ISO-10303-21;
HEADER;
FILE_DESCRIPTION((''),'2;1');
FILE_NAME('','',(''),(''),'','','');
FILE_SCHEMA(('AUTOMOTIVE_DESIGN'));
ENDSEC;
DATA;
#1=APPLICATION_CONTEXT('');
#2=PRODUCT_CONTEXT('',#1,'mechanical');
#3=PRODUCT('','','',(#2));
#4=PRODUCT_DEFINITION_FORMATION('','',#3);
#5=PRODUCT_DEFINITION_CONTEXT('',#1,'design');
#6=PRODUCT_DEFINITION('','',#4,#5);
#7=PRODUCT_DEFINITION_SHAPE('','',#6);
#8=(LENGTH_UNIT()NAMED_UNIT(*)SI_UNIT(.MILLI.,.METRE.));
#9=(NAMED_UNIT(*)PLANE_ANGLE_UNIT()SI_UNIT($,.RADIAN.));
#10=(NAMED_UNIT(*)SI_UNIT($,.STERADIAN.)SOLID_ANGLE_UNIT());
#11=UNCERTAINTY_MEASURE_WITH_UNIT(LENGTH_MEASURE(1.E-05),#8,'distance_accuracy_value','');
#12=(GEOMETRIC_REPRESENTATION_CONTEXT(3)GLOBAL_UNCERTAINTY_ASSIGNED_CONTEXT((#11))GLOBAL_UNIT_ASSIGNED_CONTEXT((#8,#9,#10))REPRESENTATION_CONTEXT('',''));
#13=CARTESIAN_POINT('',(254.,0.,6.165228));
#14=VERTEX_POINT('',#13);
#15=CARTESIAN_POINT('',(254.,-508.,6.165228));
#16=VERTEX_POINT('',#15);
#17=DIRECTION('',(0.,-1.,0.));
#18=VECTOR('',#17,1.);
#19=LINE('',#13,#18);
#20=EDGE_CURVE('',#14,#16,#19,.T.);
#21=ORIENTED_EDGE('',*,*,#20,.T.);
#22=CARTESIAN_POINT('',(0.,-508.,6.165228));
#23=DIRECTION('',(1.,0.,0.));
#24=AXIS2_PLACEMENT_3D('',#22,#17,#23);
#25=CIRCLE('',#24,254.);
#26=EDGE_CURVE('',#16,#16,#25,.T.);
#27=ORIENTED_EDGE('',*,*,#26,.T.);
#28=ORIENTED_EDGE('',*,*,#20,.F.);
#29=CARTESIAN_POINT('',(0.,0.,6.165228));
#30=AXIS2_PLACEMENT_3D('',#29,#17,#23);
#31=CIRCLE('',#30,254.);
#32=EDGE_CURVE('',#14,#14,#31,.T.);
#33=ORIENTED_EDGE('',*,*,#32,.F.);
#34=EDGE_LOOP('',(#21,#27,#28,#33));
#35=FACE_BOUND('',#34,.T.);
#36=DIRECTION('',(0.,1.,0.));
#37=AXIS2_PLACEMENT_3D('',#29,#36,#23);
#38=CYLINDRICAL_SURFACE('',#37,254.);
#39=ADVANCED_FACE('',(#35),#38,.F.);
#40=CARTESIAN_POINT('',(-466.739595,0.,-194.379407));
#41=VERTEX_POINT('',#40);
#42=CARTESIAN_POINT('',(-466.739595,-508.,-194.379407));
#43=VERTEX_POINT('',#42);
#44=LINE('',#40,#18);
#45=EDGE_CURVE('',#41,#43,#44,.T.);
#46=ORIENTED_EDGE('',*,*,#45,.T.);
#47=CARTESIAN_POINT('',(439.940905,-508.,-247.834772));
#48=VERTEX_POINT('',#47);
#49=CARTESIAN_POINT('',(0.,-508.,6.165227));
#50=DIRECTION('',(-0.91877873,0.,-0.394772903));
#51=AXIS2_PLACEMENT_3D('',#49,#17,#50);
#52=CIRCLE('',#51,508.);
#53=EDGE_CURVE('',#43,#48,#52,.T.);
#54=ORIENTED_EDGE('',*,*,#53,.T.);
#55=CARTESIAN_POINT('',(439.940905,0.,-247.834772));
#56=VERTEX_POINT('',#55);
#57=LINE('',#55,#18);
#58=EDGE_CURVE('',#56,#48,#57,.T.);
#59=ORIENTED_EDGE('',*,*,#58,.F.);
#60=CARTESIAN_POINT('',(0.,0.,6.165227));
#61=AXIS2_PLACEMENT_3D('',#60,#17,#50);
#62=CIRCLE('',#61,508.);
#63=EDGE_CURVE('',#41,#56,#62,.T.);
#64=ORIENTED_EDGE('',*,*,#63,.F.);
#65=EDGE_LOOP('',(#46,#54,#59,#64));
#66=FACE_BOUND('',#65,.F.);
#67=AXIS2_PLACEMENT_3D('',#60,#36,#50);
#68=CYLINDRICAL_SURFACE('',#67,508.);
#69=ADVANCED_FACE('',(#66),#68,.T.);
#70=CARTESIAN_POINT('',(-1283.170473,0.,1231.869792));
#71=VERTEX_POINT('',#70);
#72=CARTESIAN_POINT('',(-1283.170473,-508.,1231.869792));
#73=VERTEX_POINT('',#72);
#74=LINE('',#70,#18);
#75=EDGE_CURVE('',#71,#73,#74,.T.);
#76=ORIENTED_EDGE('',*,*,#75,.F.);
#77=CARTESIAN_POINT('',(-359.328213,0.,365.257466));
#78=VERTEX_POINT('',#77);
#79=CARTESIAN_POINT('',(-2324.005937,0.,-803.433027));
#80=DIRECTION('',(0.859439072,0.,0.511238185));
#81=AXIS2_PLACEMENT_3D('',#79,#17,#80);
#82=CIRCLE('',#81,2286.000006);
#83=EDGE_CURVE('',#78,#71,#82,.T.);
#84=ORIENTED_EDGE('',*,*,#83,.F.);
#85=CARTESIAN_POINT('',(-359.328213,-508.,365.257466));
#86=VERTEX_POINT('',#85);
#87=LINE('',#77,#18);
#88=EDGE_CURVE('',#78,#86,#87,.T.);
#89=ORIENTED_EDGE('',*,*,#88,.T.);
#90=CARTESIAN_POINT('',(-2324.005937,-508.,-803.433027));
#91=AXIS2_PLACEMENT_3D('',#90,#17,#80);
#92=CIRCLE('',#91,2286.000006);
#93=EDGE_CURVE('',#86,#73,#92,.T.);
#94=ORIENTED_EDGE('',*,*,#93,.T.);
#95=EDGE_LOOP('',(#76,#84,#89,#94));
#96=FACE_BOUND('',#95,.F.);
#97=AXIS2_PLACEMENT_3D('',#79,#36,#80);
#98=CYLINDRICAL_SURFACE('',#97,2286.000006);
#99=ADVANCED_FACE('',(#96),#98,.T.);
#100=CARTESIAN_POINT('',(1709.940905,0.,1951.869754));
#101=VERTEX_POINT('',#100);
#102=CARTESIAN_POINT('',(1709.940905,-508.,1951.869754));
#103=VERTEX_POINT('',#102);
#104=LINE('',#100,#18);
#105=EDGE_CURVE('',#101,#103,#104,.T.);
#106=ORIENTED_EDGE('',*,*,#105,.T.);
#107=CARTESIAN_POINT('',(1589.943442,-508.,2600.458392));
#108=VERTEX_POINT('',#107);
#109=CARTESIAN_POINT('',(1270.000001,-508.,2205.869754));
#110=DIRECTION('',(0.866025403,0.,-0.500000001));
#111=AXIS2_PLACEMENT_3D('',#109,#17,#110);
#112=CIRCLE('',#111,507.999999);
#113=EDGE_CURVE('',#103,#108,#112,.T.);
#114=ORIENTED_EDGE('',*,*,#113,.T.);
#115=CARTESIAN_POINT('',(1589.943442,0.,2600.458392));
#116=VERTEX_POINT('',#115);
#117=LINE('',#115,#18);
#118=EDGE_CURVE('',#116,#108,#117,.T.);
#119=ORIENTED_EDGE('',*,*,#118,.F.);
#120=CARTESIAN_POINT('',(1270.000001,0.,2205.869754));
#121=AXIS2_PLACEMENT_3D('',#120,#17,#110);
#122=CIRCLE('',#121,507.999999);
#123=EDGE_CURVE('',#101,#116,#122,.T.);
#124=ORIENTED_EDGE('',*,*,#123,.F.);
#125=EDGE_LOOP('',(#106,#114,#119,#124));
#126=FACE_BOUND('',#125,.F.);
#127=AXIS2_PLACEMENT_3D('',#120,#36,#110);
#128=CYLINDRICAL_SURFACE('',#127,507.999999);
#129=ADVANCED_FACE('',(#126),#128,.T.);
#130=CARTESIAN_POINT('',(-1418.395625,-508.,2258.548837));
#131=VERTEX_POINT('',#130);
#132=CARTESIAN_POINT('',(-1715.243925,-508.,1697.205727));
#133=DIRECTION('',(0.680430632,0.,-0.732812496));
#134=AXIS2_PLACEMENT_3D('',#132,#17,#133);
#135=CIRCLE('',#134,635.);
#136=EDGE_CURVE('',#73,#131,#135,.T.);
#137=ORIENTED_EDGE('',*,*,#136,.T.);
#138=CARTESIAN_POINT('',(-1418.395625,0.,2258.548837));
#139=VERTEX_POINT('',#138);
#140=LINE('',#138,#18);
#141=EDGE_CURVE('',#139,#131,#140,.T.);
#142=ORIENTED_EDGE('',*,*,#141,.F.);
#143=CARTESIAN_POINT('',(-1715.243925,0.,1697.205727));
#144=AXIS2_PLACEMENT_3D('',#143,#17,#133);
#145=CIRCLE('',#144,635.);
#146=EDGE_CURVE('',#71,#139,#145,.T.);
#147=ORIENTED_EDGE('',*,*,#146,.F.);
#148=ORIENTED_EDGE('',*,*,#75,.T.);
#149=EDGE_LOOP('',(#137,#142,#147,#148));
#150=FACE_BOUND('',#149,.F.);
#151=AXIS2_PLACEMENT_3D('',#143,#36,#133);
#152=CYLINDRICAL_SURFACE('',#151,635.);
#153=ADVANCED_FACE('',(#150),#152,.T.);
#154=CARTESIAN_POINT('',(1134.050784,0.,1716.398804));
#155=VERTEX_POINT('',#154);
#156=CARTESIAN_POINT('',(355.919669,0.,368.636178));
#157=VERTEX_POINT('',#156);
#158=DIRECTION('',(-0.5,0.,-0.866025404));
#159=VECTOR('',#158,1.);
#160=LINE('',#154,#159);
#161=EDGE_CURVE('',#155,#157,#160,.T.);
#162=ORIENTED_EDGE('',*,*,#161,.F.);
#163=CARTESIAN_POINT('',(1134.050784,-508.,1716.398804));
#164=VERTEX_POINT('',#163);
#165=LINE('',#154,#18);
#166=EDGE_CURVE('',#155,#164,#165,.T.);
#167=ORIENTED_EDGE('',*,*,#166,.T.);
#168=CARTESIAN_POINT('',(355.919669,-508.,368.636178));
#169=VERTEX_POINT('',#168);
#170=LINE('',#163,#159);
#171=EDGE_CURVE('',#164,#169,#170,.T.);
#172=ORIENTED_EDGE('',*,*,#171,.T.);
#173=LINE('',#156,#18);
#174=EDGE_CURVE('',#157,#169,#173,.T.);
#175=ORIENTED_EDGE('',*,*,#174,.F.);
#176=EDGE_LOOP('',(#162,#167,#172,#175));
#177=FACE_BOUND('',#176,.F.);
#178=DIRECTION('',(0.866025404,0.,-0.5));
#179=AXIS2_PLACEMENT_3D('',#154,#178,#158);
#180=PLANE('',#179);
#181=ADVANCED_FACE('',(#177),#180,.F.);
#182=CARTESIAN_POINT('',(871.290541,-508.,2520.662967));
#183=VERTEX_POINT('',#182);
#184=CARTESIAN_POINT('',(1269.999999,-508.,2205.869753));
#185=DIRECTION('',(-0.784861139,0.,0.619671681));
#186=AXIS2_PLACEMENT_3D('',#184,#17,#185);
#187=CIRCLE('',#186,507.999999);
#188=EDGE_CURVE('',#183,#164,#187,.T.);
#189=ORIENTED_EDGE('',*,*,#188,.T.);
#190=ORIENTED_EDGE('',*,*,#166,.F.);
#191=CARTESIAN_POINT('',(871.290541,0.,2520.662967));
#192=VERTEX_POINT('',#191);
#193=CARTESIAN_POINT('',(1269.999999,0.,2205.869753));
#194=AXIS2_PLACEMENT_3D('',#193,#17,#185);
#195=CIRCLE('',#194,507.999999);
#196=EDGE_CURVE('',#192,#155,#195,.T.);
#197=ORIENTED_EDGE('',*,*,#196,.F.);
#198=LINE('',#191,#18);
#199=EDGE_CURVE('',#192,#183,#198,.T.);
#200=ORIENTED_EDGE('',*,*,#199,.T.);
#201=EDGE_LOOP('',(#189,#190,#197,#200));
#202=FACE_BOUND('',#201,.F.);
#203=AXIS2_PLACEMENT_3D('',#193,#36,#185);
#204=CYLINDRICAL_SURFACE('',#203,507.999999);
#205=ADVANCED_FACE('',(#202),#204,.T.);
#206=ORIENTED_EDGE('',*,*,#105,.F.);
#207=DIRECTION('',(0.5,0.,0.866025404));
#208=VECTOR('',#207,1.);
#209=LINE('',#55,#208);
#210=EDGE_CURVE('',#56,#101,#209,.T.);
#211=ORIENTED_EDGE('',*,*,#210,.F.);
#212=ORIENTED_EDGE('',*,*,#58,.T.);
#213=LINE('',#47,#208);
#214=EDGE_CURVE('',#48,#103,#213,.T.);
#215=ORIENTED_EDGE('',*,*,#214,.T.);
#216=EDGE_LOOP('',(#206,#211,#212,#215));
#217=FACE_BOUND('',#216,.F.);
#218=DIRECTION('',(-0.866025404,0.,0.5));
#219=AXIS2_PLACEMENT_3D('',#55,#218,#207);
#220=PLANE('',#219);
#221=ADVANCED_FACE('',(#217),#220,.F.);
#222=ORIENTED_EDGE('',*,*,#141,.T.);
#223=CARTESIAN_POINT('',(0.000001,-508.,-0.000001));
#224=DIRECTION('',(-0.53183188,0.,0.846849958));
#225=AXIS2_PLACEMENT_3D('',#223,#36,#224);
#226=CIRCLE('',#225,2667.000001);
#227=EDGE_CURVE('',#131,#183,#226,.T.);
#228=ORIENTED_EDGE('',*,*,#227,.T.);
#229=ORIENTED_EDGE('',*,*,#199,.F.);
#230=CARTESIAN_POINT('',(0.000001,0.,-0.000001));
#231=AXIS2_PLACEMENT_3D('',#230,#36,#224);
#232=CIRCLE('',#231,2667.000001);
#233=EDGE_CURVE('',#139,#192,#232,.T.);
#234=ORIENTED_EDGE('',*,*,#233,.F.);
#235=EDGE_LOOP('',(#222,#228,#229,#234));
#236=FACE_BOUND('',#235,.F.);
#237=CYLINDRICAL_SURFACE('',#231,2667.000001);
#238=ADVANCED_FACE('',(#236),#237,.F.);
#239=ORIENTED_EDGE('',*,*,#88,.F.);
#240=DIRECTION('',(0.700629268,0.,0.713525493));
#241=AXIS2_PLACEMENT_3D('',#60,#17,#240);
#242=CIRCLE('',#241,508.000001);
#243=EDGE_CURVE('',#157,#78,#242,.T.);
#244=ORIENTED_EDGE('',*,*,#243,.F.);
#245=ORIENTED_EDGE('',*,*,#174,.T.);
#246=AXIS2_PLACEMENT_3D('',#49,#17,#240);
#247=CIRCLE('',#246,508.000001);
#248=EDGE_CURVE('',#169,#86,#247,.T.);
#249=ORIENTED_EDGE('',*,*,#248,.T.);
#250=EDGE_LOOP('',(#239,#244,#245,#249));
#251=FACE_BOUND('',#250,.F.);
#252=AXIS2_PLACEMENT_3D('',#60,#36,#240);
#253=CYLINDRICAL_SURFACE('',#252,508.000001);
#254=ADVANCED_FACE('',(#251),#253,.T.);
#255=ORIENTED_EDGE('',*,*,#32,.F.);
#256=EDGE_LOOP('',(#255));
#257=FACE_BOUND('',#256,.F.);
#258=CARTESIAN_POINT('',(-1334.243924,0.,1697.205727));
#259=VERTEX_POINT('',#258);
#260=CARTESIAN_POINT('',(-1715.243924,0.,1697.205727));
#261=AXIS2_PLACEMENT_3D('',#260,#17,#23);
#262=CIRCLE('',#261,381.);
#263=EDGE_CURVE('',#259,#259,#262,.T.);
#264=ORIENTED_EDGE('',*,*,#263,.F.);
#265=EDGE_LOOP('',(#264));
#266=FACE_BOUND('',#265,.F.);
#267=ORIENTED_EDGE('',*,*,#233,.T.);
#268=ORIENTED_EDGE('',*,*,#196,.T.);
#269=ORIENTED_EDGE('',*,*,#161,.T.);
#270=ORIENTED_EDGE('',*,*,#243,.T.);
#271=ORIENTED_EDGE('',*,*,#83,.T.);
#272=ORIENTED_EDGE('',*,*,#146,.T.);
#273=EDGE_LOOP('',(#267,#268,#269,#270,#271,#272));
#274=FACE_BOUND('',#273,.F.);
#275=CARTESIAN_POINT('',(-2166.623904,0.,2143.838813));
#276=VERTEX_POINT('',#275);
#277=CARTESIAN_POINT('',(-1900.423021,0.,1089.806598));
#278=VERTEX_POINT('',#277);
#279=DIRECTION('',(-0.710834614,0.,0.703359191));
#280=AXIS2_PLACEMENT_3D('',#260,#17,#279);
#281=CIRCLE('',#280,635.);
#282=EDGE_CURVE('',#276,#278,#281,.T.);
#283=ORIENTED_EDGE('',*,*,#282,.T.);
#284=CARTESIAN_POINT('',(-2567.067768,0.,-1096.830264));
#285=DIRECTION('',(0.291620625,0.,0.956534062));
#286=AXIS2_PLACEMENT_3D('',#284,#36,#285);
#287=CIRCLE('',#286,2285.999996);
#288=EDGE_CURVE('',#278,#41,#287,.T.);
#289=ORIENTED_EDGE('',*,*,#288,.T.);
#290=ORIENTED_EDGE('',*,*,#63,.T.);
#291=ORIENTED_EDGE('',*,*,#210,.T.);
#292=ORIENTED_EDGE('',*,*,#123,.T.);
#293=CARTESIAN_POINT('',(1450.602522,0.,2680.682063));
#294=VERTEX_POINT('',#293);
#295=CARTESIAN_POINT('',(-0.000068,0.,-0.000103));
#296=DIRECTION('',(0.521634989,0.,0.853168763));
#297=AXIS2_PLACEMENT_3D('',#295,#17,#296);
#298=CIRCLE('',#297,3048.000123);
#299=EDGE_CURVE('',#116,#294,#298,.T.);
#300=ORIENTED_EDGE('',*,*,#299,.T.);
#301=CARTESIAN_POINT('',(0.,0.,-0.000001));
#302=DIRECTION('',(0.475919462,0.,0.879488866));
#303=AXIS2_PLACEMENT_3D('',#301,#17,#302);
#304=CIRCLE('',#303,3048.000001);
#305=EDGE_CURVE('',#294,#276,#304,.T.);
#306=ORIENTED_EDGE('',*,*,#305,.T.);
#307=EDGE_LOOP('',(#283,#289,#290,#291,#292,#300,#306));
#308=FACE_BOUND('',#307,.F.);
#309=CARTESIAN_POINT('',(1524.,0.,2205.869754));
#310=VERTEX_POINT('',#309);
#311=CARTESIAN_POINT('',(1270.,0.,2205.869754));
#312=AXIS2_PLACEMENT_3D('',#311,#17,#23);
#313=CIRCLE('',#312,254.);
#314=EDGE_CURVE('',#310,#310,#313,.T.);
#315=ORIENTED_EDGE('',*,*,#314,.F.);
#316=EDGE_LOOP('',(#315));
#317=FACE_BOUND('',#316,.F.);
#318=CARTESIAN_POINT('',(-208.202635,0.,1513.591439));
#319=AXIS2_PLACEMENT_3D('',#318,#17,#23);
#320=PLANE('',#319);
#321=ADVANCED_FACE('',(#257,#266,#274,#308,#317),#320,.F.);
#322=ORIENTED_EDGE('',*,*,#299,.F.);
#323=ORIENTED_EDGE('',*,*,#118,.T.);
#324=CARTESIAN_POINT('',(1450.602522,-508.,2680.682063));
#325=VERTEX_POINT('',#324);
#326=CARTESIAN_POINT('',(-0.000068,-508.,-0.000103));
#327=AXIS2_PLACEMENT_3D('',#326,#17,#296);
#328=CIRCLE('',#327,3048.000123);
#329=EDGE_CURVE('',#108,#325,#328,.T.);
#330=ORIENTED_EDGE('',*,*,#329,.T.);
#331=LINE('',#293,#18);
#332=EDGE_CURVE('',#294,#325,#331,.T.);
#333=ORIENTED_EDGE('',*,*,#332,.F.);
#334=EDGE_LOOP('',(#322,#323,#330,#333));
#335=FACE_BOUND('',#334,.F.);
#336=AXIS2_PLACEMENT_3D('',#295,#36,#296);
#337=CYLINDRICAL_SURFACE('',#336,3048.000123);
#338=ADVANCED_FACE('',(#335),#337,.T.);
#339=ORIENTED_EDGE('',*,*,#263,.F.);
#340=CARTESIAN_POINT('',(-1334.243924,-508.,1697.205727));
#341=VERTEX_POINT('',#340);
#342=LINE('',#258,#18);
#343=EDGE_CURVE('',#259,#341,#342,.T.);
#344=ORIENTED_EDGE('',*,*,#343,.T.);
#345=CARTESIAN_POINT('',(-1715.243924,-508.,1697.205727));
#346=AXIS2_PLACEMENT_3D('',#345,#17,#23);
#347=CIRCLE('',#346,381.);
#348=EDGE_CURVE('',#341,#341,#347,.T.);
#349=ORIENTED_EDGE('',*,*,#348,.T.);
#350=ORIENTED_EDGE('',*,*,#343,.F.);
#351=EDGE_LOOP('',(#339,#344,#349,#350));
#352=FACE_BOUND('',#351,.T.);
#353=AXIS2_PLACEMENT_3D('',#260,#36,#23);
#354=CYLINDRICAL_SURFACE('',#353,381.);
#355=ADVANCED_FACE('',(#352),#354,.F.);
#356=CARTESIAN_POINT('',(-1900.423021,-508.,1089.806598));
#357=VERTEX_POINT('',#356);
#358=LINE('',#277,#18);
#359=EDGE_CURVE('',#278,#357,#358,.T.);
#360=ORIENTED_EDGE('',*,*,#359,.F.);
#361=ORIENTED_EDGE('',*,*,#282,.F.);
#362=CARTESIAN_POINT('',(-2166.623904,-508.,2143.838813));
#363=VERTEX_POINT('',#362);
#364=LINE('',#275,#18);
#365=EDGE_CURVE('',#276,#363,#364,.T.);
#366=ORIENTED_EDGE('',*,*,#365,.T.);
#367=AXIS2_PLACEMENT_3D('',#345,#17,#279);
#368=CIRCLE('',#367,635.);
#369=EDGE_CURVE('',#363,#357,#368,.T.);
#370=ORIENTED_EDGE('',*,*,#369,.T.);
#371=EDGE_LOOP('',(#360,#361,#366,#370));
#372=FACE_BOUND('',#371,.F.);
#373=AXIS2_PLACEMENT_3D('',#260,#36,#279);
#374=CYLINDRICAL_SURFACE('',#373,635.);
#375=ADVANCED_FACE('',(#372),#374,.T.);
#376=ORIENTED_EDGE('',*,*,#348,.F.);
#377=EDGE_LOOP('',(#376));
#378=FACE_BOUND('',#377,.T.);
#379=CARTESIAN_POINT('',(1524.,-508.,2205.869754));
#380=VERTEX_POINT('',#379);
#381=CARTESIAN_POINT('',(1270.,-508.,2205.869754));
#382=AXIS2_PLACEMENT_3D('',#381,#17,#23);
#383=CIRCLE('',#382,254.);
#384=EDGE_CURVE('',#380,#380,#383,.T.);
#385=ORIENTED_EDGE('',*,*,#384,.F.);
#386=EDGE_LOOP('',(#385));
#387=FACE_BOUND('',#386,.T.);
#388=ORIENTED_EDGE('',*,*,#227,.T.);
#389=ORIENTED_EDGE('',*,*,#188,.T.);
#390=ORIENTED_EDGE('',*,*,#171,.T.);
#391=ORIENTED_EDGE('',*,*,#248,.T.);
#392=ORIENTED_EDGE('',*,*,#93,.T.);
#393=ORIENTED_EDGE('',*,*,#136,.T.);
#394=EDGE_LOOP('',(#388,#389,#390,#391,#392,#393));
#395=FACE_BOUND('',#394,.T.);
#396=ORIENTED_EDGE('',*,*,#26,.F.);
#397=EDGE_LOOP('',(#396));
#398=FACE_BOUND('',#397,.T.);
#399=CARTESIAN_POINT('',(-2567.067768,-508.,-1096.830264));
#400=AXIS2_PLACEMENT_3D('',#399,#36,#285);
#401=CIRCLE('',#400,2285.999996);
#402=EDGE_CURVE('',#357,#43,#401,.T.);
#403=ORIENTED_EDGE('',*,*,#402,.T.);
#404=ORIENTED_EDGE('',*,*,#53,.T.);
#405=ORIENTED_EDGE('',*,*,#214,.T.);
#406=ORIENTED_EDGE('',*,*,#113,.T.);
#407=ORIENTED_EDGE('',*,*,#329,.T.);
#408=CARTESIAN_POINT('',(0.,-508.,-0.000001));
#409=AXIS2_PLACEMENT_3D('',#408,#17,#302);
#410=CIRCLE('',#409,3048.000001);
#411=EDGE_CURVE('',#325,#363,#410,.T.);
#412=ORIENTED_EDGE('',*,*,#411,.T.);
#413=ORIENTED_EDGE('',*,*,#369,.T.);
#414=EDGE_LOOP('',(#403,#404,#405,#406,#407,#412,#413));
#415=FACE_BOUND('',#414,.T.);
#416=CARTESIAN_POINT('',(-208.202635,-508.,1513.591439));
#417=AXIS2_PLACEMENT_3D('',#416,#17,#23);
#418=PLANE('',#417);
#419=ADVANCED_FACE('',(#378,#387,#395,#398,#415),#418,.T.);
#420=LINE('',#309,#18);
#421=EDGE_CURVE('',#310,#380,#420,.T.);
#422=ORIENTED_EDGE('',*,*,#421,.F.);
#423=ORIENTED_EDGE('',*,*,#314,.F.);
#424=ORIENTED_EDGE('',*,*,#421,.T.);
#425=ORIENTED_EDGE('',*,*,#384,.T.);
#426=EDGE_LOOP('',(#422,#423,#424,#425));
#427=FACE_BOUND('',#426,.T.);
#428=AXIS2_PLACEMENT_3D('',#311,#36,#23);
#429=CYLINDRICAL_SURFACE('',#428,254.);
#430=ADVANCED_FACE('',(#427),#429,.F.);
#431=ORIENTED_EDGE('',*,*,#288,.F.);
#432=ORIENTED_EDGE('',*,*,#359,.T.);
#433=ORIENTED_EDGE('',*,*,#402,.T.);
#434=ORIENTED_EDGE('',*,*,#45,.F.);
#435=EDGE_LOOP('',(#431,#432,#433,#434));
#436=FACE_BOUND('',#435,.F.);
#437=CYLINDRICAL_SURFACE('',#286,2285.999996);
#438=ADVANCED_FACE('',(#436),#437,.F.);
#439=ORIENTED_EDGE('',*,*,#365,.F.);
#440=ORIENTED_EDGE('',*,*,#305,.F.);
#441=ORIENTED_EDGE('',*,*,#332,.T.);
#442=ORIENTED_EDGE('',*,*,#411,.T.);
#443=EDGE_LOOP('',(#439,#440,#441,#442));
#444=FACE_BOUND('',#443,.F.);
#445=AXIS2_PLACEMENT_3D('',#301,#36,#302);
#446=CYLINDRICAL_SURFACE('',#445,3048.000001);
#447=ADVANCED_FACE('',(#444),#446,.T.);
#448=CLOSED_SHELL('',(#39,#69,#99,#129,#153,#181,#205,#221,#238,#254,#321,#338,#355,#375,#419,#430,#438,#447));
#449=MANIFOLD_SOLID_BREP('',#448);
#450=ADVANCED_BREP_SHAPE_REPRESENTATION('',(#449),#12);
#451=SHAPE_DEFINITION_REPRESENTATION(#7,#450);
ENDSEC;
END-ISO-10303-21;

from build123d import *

# Parameters (mm, degrees)
F0_R     = 254
F0_R_2   = 381
F1_DEPTH = 508


with BuildPart() as f1:
    # F0 (on Front) → F1 (new body)
    with BuildSketch(Plane.XZ):
        with BuildLine():
            ThreePointArc((1709.940905, 1951.869754), (1769.522633, 2298.288037), (1589.943442, 2600.458392))
            ThreePointArc((1589.943442, 2600.458392), (1520.802058, 2641.489182), (1450.602522, 2680.682063))
            ThreePointArc((1450.602522, 2680.682063), (-447.461533, 3014.976314), (-2166.623904, 2143.838813))
            ThreePointArc((-2166.623904, 2143.838813), (-2330.912538, 1541.71567), (-1900.423021, 1089.806598))
            ThreePointArc((-1900.423021, 1089.806598), (-1041.840503, 605.955035), (-466.739595, -194.379407))
            ThreePointArc((-466.739595, -194.379407), (-29.898352, -500.954175), (439.940905, -247.834772))
            Line((439.940905, -247.834772), (1709.940905, 1951.869754))
        make_face()
        with Locations((0, 6.165228)):
            Circle(F0_R, mode=Mode.SUBTRACT)
        with Locations((-1715.243924, 1697.205727)):
            Circle(F0_R_2, mode=Mode.SUBTRACT)
        with BuildLine():
            ThreePointArc((-1418.395625, 2258.548837), (-303.32647, 2649.694709), (871.290541, 2520.662967))
            ThreePointArc((871.290541, 2520.662967), (787.117834, 2048.107863), (1134.050784, 1716.398804))
            Line((1134.050784, 1716.398804), (355.919669, 368.636178))
            ThreePointArc((355.919669, 368.636178), (-2.399681, 514.15956), (-359.328213, 365.257466))
            ThreePointArc((-359.328213, 365.257466), (-760.026522, 863.829525), (-1283.170473, 1231.869792))
            ThreePointArc((-1283.170473, 1231.869792), (-1085.681223, 1780.1262), (-1418.395625, 2258.548837))
        make_face(mode=Mode.SUBTRACT)
        with Locations((1270, 2205.869754)):
            Circle(F0_R, mode=Mode.SUBTRACT)
    extrude(amount=F1_DEPTH)


solid = f1.part
